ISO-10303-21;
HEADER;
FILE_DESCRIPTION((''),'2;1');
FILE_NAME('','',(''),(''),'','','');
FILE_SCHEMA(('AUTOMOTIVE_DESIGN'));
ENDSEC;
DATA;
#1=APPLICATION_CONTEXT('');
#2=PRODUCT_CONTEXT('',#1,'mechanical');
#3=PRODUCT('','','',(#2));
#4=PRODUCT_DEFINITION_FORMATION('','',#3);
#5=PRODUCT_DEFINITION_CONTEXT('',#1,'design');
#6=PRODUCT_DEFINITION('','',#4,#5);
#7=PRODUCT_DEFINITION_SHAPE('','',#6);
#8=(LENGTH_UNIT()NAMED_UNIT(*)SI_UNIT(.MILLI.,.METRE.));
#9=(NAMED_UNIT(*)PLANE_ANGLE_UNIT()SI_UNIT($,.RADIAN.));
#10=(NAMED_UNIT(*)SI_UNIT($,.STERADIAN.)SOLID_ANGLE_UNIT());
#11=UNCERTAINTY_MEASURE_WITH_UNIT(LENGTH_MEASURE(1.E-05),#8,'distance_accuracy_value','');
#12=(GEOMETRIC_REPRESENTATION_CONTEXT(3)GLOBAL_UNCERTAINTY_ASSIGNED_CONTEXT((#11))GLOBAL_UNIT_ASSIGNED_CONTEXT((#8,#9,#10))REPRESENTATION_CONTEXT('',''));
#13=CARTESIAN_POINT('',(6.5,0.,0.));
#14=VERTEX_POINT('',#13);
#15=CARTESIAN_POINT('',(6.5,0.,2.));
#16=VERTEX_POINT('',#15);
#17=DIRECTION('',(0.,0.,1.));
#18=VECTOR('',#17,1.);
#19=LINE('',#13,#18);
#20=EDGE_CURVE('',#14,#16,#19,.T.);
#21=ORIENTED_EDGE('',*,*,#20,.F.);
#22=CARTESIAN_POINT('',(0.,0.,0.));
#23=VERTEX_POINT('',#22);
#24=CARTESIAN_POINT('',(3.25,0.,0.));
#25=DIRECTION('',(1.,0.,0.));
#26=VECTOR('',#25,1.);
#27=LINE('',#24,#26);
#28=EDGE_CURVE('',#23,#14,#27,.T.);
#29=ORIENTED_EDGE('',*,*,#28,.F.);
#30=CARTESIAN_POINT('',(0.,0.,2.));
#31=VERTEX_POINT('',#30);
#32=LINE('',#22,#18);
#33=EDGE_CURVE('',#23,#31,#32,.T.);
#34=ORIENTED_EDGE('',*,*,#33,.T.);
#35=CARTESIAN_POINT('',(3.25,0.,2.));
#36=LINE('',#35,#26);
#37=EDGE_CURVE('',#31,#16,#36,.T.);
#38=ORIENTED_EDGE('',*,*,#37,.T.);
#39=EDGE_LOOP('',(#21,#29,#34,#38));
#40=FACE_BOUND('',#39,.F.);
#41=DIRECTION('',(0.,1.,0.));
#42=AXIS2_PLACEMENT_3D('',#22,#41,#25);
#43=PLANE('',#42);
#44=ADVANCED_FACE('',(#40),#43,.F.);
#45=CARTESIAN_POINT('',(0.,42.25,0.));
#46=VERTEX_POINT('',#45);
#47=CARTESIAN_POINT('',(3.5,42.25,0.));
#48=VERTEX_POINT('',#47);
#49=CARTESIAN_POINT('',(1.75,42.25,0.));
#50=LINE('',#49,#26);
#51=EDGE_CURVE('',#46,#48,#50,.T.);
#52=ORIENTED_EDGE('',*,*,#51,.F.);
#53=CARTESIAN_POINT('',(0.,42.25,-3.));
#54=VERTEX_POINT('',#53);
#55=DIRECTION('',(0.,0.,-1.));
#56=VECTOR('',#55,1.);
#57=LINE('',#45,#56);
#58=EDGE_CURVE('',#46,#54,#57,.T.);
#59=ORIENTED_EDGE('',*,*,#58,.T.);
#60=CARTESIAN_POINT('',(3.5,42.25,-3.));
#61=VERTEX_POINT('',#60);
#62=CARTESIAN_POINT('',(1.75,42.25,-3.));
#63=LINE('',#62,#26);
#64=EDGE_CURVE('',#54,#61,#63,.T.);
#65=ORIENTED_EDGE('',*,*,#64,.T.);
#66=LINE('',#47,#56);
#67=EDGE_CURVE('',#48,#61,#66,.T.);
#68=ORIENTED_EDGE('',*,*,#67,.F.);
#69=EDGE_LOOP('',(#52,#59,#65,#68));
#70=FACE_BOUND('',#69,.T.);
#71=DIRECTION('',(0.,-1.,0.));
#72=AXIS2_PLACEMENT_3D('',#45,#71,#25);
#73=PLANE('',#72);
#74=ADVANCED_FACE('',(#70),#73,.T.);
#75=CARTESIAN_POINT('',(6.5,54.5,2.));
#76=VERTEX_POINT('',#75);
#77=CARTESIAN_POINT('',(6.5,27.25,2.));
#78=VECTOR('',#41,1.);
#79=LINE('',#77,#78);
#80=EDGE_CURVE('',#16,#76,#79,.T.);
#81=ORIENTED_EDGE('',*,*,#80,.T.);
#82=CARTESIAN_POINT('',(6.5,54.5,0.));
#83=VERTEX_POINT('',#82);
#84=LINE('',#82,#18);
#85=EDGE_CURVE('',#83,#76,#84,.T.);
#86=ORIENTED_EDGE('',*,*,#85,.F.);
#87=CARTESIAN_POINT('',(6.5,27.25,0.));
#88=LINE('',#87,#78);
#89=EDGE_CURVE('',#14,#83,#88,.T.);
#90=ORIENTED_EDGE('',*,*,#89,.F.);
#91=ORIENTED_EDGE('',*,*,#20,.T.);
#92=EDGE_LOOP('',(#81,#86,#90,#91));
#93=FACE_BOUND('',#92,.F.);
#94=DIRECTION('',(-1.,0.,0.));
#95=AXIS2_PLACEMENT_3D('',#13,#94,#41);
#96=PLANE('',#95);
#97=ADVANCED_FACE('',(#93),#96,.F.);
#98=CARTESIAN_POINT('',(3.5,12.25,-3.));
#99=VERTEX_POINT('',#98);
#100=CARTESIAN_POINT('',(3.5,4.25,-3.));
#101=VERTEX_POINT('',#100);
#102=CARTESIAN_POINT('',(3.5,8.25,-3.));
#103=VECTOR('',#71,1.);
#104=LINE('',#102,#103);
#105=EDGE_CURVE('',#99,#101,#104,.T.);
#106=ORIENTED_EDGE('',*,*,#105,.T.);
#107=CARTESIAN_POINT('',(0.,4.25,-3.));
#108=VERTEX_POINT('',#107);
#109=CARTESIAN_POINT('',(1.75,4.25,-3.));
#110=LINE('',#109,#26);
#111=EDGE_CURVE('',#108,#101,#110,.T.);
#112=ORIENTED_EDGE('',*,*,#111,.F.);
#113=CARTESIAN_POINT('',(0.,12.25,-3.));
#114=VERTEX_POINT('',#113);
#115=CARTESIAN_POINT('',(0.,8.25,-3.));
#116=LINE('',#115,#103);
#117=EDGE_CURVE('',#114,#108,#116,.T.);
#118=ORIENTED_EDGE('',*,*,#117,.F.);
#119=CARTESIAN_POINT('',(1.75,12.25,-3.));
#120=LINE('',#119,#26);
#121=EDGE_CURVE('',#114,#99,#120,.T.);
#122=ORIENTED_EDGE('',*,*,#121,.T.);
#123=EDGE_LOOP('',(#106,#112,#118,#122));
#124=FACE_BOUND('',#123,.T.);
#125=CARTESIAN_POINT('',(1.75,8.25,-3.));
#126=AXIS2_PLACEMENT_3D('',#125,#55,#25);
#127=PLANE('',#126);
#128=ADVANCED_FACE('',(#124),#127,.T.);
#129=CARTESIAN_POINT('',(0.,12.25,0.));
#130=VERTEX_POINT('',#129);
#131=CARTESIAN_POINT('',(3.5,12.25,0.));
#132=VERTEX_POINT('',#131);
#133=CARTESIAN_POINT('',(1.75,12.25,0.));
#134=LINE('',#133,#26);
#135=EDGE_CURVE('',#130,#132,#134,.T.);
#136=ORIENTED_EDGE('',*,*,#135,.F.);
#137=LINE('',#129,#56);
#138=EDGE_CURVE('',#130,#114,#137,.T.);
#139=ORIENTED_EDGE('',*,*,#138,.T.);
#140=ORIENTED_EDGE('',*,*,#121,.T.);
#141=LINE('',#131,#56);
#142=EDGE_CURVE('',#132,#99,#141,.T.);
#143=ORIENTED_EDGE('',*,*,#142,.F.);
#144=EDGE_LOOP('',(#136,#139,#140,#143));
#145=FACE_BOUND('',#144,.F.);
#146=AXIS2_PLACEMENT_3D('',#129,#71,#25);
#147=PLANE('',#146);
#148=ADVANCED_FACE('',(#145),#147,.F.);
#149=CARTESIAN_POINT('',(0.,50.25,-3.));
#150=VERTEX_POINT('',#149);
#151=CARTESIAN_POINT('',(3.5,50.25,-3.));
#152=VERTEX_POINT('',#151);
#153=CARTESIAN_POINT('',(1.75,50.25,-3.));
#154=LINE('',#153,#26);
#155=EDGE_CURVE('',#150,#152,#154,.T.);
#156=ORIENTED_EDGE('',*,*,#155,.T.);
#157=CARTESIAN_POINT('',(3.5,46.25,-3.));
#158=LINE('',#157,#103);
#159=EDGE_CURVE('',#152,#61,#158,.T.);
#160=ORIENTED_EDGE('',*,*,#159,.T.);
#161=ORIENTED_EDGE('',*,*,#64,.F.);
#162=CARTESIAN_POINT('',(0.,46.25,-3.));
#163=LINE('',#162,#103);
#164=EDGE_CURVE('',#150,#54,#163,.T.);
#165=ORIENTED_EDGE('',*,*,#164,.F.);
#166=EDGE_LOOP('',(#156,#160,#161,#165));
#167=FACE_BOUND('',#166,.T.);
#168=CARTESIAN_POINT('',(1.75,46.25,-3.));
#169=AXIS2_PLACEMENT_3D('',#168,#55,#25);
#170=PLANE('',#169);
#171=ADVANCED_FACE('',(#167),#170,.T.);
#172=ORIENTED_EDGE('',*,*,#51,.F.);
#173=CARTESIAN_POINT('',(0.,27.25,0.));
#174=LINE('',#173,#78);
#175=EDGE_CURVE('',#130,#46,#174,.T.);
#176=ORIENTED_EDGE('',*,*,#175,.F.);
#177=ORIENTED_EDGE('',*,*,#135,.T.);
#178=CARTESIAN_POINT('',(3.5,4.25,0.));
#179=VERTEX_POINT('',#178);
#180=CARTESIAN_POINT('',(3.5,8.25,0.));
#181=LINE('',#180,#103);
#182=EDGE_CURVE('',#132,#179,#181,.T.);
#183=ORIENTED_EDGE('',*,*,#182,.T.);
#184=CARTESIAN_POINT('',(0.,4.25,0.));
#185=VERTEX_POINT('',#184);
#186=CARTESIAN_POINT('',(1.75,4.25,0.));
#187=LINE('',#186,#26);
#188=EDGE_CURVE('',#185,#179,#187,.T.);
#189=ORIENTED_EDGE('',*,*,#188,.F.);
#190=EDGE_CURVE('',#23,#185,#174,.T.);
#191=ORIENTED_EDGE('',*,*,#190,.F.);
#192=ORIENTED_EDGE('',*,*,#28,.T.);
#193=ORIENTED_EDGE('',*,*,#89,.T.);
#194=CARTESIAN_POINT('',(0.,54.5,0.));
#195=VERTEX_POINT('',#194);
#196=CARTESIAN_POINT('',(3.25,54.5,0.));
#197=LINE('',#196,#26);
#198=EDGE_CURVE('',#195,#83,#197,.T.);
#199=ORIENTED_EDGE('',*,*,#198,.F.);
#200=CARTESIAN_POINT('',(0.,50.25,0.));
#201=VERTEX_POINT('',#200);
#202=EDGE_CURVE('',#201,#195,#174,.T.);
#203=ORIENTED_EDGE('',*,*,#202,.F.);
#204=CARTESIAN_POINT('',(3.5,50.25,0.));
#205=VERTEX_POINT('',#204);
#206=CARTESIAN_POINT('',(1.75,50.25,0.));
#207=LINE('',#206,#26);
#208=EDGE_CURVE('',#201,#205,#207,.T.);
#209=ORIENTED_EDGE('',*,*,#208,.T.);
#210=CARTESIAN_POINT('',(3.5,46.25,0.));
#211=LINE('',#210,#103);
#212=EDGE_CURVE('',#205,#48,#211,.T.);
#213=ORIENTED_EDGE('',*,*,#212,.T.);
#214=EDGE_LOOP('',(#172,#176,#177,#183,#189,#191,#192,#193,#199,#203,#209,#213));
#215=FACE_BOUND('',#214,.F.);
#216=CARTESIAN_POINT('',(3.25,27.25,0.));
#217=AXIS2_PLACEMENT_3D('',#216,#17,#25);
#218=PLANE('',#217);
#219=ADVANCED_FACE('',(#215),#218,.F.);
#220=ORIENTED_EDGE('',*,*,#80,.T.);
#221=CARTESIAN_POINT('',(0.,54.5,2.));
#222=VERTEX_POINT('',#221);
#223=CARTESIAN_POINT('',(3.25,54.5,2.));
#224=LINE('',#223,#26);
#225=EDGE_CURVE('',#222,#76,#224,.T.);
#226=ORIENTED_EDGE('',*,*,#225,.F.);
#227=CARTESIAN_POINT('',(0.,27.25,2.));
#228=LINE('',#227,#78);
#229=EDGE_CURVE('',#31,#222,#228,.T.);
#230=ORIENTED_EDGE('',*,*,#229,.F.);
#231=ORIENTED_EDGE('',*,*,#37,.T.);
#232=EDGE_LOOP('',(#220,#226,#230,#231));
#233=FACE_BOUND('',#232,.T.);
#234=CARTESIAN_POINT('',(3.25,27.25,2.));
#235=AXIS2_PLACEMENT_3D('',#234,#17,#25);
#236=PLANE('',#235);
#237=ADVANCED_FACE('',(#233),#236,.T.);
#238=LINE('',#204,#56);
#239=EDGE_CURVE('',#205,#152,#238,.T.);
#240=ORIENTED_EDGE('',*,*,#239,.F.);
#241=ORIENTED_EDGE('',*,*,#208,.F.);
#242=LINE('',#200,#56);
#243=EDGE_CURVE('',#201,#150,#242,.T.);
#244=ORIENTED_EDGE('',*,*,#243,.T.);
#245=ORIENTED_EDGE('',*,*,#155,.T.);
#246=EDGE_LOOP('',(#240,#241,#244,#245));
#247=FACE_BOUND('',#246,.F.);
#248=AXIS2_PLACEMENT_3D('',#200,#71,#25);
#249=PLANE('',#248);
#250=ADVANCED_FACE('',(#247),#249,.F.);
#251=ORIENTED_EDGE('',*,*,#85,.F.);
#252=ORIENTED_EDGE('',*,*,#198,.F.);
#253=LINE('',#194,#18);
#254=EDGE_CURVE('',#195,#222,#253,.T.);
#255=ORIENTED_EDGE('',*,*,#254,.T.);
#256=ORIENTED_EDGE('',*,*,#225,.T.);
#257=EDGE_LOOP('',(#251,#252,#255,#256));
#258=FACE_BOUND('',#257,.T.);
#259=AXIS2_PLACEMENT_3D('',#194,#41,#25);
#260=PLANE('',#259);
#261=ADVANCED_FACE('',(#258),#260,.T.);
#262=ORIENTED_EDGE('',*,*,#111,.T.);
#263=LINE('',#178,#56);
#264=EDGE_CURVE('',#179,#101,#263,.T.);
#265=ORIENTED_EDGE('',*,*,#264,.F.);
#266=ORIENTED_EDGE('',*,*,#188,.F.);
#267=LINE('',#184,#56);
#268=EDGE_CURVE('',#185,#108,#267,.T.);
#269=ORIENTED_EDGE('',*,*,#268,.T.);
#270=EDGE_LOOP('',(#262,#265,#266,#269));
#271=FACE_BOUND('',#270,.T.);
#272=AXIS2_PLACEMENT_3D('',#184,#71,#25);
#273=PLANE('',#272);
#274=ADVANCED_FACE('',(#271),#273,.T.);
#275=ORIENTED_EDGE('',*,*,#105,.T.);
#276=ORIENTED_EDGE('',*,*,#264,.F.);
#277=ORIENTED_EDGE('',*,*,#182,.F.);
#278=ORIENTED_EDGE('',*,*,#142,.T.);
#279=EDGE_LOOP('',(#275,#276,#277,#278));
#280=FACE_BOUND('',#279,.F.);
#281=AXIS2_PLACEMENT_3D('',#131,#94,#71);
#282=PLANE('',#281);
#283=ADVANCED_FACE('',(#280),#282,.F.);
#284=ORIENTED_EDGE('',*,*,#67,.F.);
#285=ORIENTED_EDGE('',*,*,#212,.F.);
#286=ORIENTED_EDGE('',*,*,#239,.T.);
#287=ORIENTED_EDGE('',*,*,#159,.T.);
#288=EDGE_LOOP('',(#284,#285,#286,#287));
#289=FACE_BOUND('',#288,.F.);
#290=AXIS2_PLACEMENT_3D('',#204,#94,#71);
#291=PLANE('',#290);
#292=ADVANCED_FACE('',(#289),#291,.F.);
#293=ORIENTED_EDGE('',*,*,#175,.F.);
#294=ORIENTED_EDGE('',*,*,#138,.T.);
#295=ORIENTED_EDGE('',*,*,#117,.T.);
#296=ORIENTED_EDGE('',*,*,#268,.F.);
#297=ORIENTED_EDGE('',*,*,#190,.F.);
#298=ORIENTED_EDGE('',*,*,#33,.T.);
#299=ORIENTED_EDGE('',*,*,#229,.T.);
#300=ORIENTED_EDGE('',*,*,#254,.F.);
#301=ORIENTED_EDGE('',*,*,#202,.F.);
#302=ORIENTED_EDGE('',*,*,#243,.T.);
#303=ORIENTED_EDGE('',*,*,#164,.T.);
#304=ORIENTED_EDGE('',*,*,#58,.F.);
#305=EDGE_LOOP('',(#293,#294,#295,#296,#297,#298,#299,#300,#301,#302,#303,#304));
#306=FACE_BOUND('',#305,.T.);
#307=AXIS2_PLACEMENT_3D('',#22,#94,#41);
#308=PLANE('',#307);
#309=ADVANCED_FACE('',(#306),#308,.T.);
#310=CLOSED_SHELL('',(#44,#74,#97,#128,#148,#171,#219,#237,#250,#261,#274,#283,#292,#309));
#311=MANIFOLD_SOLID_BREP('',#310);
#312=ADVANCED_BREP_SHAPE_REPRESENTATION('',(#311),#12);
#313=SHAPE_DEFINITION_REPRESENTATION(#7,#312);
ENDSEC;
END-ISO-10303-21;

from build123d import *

# Parameters (mm, degrees)
F0_W     = 6.5
F0_H     = 54.5
F1_DEPTH = 2
F2_W     = 3.5
F2_H     = 8
F3_DEPTH = 3


with BuildPart() as f1:
    # F0 (on Top) → F1 (new body)
    with BuildSketch(Plane.XY):
        with Locations((3.25, 27.25)):
            Rectangle(F0_W, F0_H)
    extrude(amount=F1_DEPTH)

    # F2 (on face) → F3 (join)
    with BuildSketch(Plane(origin=(0, 0, 0), x_dir=(1, 0, 0), z_dir=(0, 0, -1))):
        with Locations((1.75, -46.25)):
            Rectangle(F2_W, F2_H)
        with Locations((1.75, -8.25)):
            Rectangle(F2_W, F2_H)
    extrude(amount=F3_DEPTH)


solid = f1.part
